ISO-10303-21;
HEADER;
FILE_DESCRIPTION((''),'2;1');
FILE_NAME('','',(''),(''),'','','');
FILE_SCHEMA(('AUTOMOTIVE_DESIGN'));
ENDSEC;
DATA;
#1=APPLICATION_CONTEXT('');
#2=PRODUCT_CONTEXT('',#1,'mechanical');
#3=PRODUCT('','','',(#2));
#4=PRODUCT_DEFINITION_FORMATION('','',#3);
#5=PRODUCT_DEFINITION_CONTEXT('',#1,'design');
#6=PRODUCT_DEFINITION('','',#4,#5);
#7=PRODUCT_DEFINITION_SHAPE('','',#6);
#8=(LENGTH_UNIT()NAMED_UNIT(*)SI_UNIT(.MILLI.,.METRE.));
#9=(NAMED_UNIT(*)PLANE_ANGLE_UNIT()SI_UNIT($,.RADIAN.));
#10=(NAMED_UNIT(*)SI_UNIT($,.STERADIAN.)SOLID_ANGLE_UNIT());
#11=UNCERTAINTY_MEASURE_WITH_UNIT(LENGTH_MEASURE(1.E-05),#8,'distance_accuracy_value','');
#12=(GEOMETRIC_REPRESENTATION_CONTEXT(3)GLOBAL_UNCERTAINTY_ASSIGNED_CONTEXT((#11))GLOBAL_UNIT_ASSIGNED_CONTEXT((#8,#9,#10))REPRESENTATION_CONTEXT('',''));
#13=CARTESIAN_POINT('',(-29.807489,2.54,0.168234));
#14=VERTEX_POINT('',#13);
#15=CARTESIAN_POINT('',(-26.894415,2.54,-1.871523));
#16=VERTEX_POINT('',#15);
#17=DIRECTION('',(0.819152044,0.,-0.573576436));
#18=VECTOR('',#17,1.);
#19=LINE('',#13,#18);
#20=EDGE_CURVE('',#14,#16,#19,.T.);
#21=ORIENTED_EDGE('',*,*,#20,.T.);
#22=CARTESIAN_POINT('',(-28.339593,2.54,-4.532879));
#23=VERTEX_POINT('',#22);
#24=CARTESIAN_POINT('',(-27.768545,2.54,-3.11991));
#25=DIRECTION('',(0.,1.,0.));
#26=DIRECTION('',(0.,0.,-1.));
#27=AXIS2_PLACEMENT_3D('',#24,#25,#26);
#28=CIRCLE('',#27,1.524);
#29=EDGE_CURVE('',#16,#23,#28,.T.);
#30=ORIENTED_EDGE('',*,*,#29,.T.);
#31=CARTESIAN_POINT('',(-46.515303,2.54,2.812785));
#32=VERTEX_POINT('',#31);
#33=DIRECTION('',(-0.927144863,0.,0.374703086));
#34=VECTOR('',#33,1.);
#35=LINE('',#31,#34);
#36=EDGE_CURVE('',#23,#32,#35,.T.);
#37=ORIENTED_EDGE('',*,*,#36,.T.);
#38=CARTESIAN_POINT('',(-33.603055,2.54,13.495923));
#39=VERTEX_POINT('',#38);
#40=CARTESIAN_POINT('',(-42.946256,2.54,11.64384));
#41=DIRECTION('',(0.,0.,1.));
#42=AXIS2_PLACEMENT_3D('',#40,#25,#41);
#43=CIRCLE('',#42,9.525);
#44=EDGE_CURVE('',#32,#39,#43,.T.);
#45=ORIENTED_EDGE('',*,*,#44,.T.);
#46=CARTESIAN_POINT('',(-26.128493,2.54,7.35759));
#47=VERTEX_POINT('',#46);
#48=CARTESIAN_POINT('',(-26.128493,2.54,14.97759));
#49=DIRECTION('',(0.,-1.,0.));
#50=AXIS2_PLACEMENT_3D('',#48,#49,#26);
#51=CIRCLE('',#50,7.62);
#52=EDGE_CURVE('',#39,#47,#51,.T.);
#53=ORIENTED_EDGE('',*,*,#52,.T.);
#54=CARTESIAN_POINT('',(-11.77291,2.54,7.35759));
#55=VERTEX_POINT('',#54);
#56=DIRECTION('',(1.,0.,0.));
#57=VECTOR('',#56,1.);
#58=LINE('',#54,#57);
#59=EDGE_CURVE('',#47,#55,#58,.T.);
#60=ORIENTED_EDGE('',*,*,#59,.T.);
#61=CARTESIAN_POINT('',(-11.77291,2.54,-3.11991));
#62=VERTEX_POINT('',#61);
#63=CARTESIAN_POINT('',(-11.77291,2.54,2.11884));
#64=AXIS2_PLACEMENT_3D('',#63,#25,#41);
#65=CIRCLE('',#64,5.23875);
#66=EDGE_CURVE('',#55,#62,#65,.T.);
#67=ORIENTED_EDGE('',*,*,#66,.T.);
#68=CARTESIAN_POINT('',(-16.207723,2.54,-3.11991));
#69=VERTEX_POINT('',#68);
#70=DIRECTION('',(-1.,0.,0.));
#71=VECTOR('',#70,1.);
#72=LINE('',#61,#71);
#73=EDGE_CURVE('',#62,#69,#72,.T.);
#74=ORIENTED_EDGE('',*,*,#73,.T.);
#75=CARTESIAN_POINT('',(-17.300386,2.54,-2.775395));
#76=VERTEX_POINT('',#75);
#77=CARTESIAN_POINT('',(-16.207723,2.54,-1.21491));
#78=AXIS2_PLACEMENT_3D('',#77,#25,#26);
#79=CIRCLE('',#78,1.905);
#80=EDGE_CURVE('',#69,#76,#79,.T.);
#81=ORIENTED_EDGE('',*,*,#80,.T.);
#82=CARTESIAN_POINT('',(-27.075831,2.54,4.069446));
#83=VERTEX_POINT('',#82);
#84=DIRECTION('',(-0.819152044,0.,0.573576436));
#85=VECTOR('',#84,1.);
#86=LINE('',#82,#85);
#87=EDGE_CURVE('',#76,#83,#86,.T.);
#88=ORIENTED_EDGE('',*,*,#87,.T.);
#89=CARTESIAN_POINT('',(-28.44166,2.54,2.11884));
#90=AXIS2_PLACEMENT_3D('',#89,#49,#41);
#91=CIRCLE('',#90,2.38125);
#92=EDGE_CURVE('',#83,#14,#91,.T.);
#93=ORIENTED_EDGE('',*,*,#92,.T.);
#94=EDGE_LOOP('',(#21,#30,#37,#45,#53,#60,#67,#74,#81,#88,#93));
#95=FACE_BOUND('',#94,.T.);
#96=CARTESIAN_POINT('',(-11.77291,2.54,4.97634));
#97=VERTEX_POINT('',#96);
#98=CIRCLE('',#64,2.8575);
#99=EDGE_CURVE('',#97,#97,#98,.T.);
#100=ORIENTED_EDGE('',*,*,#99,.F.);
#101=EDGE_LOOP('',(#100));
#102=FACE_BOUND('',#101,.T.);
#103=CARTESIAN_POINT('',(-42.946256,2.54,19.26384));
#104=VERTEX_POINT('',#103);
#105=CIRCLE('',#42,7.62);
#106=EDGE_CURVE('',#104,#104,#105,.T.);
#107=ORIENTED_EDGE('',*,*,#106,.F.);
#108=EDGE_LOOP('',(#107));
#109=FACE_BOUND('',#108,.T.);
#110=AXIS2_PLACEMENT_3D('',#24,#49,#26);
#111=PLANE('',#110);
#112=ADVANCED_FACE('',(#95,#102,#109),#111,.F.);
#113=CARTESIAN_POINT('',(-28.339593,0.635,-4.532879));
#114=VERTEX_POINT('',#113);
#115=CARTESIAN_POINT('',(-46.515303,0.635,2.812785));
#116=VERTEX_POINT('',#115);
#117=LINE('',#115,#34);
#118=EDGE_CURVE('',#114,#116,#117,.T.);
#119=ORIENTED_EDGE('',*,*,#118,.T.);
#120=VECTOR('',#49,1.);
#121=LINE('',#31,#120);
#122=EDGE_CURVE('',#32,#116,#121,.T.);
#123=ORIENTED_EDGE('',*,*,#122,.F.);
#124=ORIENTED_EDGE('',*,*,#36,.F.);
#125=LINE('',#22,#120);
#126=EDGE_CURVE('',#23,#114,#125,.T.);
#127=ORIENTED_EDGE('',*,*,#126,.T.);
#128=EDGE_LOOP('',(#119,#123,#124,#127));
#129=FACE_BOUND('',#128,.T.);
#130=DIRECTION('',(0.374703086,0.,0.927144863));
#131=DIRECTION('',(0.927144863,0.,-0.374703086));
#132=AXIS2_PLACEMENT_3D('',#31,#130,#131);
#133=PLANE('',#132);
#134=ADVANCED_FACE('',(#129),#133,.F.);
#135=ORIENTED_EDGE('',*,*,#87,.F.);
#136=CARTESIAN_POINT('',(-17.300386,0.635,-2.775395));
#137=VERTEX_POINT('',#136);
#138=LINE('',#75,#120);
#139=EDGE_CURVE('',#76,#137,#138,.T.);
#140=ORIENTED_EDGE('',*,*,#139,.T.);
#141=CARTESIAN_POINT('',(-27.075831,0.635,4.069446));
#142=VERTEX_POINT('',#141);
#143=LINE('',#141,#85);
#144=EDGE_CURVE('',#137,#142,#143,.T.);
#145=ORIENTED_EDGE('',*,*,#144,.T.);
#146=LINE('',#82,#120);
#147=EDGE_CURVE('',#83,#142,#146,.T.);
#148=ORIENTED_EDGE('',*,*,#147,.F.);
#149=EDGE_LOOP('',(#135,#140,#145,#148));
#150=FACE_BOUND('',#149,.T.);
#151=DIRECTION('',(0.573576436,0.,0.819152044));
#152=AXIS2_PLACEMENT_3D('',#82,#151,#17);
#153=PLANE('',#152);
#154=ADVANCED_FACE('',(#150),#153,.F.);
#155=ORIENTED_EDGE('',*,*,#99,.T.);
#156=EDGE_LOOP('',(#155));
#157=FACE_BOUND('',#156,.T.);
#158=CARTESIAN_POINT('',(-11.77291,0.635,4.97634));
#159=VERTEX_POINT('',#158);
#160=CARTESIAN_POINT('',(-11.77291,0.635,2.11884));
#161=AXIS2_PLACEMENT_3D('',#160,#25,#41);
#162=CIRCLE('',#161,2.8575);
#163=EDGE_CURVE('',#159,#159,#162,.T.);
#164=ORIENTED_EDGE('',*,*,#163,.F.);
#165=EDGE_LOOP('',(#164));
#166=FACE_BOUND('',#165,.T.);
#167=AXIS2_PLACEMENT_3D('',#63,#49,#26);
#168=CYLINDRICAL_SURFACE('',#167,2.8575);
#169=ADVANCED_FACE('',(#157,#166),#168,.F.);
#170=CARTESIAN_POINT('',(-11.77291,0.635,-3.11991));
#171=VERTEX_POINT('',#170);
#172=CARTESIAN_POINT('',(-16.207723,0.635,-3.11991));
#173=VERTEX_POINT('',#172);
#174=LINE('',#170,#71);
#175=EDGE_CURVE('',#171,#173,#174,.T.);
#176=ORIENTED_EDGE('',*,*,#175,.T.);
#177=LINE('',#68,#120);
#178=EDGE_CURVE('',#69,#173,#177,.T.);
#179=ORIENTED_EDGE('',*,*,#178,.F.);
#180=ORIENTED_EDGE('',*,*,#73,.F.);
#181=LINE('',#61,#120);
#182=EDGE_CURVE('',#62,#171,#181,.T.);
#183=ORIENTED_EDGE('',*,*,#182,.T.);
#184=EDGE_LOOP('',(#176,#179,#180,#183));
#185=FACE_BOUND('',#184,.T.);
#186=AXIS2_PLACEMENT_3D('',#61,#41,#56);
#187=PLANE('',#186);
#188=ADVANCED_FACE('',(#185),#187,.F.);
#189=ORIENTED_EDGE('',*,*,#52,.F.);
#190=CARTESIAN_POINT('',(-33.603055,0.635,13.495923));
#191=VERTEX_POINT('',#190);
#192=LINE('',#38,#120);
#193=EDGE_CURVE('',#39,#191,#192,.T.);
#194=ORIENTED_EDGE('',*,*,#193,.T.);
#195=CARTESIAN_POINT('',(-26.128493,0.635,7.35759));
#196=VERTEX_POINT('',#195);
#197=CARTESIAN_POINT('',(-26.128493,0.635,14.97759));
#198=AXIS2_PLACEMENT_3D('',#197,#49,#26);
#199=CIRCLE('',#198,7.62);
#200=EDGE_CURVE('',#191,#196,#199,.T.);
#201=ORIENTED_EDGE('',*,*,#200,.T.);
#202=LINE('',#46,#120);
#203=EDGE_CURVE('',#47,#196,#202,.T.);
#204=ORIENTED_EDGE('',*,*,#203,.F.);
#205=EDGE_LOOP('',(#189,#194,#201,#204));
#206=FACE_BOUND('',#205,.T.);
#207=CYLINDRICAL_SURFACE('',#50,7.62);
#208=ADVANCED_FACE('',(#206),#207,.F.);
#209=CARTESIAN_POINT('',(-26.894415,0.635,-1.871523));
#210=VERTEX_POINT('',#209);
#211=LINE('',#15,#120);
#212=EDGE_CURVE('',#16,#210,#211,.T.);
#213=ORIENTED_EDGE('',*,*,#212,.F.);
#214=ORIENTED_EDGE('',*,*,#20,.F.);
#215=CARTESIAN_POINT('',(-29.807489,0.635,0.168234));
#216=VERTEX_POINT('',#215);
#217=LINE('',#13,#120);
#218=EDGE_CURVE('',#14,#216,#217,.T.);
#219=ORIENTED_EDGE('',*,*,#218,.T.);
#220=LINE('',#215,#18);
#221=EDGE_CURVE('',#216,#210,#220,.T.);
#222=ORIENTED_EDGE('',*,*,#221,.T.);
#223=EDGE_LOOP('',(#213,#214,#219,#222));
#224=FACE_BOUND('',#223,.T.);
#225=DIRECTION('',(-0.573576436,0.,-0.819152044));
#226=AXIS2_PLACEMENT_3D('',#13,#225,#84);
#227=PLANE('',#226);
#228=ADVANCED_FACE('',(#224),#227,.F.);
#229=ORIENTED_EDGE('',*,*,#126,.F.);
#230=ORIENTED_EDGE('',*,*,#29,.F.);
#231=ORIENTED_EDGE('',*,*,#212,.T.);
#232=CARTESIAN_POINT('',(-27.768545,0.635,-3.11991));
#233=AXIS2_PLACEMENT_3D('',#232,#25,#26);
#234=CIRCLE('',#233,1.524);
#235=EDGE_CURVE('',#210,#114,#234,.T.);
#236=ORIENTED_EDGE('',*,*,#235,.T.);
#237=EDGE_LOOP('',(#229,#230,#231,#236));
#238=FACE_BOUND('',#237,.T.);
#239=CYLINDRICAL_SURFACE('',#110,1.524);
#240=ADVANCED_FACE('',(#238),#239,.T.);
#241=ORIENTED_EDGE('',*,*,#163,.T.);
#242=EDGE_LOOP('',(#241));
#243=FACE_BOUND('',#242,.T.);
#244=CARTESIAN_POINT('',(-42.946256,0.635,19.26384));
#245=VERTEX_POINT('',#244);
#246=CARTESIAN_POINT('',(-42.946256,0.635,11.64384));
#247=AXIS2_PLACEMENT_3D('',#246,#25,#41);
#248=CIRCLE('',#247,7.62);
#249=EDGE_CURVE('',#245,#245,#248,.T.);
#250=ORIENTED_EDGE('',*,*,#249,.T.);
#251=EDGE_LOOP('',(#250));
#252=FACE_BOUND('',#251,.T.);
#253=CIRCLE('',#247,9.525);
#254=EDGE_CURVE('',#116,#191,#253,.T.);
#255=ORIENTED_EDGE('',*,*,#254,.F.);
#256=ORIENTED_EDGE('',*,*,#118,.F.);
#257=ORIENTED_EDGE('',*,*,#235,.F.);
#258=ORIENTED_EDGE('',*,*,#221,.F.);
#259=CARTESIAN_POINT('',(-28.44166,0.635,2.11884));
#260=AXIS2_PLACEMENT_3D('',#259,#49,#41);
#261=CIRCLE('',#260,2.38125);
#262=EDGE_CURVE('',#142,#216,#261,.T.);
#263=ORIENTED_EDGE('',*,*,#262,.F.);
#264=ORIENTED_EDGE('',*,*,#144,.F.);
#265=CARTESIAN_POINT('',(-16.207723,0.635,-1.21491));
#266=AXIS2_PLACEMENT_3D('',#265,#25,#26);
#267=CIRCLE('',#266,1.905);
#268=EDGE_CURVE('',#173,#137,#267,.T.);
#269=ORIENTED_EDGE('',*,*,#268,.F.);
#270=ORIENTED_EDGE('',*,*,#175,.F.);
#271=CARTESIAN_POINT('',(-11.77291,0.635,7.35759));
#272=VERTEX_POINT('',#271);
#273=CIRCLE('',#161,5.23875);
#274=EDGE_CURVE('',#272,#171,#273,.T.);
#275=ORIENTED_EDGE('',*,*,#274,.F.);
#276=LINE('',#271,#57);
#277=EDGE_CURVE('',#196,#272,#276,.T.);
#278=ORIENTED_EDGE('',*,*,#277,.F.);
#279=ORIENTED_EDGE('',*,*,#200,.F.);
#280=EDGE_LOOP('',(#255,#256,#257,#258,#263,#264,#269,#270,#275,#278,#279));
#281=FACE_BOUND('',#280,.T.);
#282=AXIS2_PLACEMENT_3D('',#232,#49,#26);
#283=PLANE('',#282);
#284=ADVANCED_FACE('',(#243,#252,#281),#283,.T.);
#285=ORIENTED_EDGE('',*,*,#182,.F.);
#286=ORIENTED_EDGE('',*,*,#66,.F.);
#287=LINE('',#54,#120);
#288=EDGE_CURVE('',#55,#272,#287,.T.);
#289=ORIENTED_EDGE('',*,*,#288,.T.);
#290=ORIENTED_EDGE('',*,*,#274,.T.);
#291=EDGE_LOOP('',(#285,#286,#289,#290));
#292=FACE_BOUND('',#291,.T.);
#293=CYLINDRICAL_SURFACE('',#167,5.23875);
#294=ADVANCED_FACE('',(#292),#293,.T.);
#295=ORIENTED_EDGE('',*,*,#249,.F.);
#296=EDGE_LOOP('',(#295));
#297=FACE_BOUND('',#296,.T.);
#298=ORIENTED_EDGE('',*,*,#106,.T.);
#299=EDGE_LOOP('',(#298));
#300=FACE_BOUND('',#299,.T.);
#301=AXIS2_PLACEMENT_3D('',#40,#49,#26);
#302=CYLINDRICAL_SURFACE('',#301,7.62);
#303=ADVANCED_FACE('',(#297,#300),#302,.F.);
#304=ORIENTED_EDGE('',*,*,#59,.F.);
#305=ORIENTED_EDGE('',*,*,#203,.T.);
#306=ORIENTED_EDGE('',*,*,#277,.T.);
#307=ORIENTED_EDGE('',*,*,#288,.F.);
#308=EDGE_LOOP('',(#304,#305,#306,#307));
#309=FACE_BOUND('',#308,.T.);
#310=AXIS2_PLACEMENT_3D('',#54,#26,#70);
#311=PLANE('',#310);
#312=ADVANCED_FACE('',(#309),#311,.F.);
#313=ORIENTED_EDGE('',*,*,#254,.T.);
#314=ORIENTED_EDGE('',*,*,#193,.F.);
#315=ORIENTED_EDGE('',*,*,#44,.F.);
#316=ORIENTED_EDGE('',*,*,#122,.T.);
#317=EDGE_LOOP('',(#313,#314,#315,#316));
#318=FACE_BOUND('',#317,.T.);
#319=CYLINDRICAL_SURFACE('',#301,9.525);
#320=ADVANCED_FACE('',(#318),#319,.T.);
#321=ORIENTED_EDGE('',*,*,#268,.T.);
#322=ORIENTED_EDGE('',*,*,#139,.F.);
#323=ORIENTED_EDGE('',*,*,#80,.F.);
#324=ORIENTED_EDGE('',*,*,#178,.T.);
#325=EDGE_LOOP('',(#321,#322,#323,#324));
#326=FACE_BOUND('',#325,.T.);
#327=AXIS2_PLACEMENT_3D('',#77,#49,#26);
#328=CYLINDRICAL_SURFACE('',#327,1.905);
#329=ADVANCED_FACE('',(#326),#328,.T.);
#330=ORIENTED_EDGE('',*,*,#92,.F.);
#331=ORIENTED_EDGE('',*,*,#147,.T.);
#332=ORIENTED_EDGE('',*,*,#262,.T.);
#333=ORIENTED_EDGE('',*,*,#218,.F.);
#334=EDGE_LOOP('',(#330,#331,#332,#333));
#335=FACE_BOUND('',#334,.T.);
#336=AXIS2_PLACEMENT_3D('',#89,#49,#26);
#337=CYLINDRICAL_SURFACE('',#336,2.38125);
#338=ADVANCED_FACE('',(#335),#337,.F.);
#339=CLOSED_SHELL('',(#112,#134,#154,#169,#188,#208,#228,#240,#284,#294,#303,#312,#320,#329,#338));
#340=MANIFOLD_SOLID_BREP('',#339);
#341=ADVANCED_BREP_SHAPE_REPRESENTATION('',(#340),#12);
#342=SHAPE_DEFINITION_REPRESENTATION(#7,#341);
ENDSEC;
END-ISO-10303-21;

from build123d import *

# Parameters (mm, degrees)
SKETCH1_R           = 4.7625
SKETCH1_R_2         = 12.7
BOSS_EXTRUDE1_DEPTH = 3.175
SCALE1_SCALE        = 0.6


with BuildPart() as part:
    # Sketch1 → Boss-Extrude1 (new body)
    with BuildSketch(Plane(origin=(0, 0, 0), x_dir=(1, 0, 0), z_dir=(0, 1, 0))):
        with BuildLine():
            Line((0, -8.73125), (-23.925972084, -8.73125))
            ThreePointArc((-23.925972084, -8.73125), (-31.985998621, -11.616670426), (-36.383573946, -18.961805556))
            ThreePointArc((-36.383573946, -18.961805556), (-62.075355484, -28.106340634), (-57.903987761, -1.156575296))
            Line((-57.903987761, -1.156575296), (-27.611137885, 11.086197953))
            ThreePointArc((-27.611137885, 11.086197953), (-24.427259651, 9.943349405), (-25.202507899, 6.650603808))
            Line((-25.202507899, 6.650603808), (-30.057631482, 3.251009676))
            ThreePointArc((-30.057631482, 3.251009676), (-31.032259676, -2.276381482), (-25.504868518, -3.251009676))
            Line((-25.504868518, -3.251009676), (-9.212459777, 8.157057741))
            ThreePointArc((-9.212459777, 8.157057741), (-8.346095505, 8.584301319), (-7.391354591, 8.73125))
            Line((-7.391354591, 8.73125), (0, 8.73125))
            ThreePointArc((0, 8.73125), (8.73125, 0), (0, -8.73125))
        make_face()
        with Locations(Location((0, 0, 0), (0, 0, 270))):
            Circle(SKETCH1_R, mode=Mode.SUBTRACT)
        with Locations(Location((-51.955576272, -15.875, 0), (0, 0, 270))):
            Circle(SKETCH1_R_2, mode=Mode.SUBTRACT)
    extrude(amount=BOSS_EXTRUDE1_DEPTH)


with BuildPart() as part_1:
    # Scale1: scaled about (-29.432275391, 1.5875, 5.297099312)
    add(part.part.scale(SCALE1_SCALE).moved(Location((-11.772910156, 0.635, 2.118839725))))


solid = part_1.part
